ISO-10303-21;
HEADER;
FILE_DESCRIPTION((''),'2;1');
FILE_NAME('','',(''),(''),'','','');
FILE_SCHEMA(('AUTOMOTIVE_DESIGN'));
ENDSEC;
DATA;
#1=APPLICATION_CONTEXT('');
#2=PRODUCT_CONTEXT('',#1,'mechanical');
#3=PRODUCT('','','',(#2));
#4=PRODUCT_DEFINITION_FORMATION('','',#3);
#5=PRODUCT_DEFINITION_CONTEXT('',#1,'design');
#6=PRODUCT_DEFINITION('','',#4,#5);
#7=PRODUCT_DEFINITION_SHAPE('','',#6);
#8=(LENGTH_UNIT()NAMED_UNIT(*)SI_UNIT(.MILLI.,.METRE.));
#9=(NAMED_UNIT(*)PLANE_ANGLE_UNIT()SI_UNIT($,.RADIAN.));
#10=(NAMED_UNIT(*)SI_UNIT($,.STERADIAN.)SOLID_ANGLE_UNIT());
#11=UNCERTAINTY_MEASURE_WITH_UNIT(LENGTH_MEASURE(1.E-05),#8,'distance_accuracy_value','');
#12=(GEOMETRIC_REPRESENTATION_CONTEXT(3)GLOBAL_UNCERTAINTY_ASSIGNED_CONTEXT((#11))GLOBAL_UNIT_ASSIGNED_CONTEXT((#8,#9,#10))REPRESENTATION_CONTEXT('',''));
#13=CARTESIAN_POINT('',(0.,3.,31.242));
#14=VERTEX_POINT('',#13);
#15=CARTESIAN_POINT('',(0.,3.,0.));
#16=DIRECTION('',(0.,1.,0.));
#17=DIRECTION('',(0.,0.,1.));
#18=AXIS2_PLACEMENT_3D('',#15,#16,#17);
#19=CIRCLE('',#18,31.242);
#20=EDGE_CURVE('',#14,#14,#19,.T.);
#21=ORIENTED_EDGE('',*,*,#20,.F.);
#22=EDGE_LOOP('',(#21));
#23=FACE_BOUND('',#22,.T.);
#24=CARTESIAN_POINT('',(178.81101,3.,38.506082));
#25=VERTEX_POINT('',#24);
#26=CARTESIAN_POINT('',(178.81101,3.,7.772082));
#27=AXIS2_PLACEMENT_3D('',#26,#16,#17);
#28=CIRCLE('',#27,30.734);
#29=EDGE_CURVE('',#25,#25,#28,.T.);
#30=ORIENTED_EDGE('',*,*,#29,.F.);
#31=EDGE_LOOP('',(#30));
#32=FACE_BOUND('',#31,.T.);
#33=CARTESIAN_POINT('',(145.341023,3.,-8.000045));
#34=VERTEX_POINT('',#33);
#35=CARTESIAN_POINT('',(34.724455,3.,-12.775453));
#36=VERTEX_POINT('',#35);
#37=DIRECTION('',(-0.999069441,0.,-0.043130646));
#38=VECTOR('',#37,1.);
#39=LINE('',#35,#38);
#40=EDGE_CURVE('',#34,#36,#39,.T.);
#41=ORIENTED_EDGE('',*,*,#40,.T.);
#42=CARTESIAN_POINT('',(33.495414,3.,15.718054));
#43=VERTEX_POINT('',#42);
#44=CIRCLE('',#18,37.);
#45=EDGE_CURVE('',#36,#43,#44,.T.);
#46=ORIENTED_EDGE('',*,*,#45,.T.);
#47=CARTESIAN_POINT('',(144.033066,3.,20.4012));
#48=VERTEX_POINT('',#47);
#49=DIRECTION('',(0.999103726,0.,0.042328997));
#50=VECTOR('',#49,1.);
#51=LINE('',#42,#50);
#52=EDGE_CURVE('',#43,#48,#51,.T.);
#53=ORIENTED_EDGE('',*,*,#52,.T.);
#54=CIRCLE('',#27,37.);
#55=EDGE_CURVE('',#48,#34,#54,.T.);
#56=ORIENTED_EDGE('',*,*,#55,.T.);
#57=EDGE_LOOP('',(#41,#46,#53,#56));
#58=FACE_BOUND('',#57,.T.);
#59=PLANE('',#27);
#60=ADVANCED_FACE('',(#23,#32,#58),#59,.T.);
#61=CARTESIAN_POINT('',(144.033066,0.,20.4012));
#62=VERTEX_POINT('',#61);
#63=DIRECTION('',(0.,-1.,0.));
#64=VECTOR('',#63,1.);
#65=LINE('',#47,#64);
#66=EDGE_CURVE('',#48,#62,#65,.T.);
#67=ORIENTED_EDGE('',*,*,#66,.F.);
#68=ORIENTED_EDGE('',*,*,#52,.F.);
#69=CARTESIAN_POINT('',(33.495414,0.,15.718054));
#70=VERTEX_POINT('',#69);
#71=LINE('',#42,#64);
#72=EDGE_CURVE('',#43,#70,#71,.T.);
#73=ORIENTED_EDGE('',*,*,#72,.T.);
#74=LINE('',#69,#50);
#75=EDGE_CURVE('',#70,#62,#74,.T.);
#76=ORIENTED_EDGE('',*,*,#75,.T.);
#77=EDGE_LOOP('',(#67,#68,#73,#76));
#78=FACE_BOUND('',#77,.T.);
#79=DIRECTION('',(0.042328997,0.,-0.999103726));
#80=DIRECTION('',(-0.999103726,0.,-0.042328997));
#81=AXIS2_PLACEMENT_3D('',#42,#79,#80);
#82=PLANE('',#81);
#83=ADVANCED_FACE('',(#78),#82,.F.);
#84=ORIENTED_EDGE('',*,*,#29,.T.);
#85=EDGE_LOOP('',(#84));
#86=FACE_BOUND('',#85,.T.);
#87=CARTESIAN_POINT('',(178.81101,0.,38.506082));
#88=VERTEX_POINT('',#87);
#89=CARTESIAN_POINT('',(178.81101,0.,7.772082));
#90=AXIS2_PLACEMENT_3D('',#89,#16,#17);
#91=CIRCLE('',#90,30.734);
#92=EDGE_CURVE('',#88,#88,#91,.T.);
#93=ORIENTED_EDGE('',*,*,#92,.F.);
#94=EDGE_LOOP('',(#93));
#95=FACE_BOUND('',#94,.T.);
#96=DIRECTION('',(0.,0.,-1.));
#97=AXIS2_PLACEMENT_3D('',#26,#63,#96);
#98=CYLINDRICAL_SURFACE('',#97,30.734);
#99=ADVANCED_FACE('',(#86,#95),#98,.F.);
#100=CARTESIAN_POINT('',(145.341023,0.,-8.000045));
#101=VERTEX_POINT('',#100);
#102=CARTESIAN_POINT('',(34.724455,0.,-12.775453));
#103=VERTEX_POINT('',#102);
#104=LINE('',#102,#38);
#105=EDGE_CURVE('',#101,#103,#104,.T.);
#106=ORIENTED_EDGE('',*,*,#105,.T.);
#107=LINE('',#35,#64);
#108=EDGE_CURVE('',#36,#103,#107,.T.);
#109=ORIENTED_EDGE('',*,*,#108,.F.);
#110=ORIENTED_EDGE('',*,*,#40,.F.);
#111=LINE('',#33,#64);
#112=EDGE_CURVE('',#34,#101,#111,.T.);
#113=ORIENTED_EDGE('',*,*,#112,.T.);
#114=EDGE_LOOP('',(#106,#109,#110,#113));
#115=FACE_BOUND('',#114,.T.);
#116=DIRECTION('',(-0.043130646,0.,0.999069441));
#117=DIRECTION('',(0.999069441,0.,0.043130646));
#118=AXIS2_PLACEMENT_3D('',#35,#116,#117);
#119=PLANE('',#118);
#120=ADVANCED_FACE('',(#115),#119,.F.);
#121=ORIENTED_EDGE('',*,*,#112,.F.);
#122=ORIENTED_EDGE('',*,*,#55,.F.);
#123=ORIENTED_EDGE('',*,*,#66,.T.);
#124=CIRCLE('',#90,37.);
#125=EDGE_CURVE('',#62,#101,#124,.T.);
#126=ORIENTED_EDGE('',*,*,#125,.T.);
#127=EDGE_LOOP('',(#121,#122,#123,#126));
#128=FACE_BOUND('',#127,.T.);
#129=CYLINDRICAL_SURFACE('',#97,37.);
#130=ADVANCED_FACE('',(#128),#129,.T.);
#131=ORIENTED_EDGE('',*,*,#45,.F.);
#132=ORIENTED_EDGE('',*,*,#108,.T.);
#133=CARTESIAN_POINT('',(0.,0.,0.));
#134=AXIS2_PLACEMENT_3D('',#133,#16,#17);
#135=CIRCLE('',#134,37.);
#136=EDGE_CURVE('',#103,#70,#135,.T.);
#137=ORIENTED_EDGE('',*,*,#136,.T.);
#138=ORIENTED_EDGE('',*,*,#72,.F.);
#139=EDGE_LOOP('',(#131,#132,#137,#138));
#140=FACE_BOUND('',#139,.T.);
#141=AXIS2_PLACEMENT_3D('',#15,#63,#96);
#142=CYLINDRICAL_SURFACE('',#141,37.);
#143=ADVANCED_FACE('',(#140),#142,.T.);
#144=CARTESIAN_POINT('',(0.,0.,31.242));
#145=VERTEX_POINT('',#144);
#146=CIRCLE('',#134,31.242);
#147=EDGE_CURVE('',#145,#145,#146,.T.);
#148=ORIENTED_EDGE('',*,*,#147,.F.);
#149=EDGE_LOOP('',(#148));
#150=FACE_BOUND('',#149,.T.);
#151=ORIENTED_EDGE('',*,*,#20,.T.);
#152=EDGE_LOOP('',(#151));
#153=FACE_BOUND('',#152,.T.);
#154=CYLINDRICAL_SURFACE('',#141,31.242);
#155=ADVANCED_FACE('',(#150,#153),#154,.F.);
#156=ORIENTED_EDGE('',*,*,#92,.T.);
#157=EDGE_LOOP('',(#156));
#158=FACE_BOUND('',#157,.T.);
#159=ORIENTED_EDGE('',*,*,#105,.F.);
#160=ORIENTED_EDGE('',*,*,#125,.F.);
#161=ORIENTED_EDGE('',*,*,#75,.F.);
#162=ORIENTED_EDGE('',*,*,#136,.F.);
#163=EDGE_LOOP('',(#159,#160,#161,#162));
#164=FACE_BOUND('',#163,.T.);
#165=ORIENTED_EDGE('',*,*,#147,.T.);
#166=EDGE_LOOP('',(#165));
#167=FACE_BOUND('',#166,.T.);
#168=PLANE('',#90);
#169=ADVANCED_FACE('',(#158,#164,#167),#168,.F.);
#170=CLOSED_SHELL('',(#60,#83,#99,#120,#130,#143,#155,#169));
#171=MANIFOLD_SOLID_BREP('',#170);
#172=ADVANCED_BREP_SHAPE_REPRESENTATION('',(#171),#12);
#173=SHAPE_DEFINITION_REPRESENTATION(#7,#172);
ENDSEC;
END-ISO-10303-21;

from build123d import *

# Parameters (mm, degrees)
SKETCH1_R           = 31.242
SKETCH1_R_2         = 30.734
BOSS_EXTRUDE1_DEPTH = 3


with BuildPart() as part:
    # Sketch1 → Boss-Extrude1 (new body)
    with BuildSketch(Plane(origin=(0, 0, 0), x_dir=(1, 0, 0), z_dir=(0, 1, 0))):
        with BuildLine():
            Line((34.724455341, 12.775453074), (145.341023247, 8.00004525))
            ThreePointArc((145.341023247, 8.00004525), (215.771836356, -9.474231493), (144.033066178, -20.401199793))
            Line((144.033066178, -20.401199793), (33.495414057, -15.718054496))
            ThreePointArc((33.495414057, -15.718054496), (-36.965627799, 1.594478411), (34.724455341, 12.775453074))
        make_face()
        with Locations(Location((0, 0, 0), (0, 0, 270))):
            Circle(SKETCH1_R, mode=Mode.SUBTRACT)
        with Locations(Location((178.811009986, -7.772081673, 0), (0, 0, 270))):
            Circle(SKETCH1_R_2, mode=Mode.SUBTRACT)
    extrude(amount=BOSS_EXTRUDE1_DEPTH)


solid = part.part
